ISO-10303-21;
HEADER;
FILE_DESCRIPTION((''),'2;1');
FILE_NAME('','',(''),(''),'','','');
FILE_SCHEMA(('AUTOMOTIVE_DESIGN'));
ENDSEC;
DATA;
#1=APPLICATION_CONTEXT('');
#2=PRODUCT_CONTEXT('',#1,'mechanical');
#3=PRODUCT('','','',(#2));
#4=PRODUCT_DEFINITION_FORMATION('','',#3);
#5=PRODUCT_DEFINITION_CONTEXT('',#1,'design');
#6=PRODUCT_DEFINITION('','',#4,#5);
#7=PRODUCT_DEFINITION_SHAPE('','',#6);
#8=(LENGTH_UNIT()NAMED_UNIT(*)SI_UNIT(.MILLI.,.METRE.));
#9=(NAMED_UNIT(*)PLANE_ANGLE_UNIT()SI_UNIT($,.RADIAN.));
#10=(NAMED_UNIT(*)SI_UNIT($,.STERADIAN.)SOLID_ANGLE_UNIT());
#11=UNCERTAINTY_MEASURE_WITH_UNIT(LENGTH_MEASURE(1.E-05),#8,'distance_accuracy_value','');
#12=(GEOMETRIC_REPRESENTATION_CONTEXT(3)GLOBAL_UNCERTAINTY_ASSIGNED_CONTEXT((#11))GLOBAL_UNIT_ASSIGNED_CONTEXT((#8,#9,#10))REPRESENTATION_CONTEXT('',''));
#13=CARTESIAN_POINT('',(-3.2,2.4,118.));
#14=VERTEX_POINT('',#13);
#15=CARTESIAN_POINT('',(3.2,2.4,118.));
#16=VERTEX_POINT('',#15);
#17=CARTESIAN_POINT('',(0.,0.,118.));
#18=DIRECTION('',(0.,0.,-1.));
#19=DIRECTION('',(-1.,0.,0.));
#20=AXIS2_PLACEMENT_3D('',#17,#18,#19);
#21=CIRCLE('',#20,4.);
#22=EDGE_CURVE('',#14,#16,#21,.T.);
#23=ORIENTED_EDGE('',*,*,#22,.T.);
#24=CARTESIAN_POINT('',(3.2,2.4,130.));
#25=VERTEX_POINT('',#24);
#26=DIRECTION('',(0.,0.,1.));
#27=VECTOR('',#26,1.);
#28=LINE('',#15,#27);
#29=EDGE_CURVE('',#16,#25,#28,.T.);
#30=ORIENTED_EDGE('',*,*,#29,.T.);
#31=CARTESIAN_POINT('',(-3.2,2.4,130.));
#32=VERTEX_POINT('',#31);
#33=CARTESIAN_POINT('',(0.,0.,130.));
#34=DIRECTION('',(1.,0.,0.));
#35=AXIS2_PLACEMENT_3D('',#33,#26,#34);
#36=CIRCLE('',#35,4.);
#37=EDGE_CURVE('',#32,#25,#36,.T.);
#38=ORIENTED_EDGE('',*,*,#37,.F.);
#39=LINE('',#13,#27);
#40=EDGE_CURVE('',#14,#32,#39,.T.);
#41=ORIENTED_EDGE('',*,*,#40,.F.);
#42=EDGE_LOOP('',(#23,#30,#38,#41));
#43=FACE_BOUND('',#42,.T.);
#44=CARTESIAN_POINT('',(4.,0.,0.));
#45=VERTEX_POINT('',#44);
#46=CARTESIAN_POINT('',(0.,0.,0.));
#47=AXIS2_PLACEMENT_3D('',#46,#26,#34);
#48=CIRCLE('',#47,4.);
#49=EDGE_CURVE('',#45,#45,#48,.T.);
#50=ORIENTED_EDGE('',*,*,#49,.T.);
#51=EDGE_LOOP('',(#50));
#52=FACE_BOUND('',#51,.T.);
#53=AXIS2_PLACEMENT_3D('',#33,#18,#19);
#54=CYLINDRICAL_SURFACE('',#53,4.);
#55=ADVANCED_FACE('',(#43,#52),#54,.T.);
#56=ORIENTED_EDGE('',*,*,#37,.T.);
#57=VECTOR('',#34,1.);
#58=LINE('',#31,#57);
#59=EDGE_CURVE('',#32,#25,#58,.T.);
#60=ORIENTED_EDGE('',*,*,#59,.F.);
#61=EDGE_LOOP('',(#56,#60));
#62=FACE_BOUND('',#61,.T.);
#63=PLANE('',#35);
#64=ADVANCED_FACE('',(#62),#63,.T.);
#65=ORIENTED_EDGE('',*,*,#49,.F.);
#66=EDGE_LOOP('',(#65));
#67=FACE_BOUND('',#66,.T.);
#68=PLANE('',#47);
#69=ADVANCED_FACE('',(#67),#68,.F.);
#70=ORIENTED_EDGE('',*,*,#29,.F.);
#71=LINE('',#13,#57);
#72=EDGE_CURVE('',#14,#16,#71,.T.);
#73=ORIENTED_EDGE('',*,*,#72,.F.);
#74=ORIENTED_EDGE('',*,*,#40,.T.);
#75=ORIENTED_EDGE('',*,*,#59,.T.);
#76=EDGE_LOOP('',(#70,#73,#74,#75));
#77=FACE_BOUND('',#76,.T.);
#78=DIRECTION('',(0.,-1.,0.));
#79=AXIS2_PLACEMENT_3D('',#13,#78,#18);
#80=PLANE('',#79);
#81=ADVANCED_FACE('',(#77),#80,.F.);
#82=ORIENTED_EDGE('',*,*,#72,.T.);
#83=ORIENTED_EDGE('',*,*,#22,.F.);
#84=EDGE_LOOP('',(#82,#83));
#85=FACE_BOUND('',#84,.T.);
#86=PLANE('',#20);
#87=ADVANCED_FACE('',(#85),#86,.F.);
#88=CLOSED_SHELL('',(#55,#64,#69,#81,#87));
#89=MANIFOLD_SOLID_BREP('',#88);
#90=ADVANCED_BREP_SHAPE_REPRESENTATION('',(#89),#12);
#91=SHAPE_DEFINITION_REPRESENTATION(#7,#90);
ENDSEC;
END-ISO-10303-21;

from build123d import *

# Parameters (mm, degrees)
CROQUIS1_R              = 4
SALIENTE_EXTRUIR1_DEPTH = 130
CORTAR_EXTRUIR1_DEPTH   = 12


with BuildPart() as part:
    # Croquis1 → Saliente-Extruir1 (new body)
    with BuildSketch(Plane.XY):
        Circle(CROQUIS1_R)
    extrude(amount=SALIENTE_EXTRUIR1_DEPTH)

    # Croquis2 → Cortar-Extruir1 (cut)
    with BuildSketch(Plane.XY.offset(130)):
        with BuildLine():
            Line((-3.2, 2.4), (3.2, 2.4))
            ThreePointArc((3.2, 2.4), (0, 4), (-3.2, 2.4))
        make_face()
    extrude(amount=-CORTAR_EXTRUIR1_DEPTH, mode=Mode.SUBTRACT)


solid = part.part
